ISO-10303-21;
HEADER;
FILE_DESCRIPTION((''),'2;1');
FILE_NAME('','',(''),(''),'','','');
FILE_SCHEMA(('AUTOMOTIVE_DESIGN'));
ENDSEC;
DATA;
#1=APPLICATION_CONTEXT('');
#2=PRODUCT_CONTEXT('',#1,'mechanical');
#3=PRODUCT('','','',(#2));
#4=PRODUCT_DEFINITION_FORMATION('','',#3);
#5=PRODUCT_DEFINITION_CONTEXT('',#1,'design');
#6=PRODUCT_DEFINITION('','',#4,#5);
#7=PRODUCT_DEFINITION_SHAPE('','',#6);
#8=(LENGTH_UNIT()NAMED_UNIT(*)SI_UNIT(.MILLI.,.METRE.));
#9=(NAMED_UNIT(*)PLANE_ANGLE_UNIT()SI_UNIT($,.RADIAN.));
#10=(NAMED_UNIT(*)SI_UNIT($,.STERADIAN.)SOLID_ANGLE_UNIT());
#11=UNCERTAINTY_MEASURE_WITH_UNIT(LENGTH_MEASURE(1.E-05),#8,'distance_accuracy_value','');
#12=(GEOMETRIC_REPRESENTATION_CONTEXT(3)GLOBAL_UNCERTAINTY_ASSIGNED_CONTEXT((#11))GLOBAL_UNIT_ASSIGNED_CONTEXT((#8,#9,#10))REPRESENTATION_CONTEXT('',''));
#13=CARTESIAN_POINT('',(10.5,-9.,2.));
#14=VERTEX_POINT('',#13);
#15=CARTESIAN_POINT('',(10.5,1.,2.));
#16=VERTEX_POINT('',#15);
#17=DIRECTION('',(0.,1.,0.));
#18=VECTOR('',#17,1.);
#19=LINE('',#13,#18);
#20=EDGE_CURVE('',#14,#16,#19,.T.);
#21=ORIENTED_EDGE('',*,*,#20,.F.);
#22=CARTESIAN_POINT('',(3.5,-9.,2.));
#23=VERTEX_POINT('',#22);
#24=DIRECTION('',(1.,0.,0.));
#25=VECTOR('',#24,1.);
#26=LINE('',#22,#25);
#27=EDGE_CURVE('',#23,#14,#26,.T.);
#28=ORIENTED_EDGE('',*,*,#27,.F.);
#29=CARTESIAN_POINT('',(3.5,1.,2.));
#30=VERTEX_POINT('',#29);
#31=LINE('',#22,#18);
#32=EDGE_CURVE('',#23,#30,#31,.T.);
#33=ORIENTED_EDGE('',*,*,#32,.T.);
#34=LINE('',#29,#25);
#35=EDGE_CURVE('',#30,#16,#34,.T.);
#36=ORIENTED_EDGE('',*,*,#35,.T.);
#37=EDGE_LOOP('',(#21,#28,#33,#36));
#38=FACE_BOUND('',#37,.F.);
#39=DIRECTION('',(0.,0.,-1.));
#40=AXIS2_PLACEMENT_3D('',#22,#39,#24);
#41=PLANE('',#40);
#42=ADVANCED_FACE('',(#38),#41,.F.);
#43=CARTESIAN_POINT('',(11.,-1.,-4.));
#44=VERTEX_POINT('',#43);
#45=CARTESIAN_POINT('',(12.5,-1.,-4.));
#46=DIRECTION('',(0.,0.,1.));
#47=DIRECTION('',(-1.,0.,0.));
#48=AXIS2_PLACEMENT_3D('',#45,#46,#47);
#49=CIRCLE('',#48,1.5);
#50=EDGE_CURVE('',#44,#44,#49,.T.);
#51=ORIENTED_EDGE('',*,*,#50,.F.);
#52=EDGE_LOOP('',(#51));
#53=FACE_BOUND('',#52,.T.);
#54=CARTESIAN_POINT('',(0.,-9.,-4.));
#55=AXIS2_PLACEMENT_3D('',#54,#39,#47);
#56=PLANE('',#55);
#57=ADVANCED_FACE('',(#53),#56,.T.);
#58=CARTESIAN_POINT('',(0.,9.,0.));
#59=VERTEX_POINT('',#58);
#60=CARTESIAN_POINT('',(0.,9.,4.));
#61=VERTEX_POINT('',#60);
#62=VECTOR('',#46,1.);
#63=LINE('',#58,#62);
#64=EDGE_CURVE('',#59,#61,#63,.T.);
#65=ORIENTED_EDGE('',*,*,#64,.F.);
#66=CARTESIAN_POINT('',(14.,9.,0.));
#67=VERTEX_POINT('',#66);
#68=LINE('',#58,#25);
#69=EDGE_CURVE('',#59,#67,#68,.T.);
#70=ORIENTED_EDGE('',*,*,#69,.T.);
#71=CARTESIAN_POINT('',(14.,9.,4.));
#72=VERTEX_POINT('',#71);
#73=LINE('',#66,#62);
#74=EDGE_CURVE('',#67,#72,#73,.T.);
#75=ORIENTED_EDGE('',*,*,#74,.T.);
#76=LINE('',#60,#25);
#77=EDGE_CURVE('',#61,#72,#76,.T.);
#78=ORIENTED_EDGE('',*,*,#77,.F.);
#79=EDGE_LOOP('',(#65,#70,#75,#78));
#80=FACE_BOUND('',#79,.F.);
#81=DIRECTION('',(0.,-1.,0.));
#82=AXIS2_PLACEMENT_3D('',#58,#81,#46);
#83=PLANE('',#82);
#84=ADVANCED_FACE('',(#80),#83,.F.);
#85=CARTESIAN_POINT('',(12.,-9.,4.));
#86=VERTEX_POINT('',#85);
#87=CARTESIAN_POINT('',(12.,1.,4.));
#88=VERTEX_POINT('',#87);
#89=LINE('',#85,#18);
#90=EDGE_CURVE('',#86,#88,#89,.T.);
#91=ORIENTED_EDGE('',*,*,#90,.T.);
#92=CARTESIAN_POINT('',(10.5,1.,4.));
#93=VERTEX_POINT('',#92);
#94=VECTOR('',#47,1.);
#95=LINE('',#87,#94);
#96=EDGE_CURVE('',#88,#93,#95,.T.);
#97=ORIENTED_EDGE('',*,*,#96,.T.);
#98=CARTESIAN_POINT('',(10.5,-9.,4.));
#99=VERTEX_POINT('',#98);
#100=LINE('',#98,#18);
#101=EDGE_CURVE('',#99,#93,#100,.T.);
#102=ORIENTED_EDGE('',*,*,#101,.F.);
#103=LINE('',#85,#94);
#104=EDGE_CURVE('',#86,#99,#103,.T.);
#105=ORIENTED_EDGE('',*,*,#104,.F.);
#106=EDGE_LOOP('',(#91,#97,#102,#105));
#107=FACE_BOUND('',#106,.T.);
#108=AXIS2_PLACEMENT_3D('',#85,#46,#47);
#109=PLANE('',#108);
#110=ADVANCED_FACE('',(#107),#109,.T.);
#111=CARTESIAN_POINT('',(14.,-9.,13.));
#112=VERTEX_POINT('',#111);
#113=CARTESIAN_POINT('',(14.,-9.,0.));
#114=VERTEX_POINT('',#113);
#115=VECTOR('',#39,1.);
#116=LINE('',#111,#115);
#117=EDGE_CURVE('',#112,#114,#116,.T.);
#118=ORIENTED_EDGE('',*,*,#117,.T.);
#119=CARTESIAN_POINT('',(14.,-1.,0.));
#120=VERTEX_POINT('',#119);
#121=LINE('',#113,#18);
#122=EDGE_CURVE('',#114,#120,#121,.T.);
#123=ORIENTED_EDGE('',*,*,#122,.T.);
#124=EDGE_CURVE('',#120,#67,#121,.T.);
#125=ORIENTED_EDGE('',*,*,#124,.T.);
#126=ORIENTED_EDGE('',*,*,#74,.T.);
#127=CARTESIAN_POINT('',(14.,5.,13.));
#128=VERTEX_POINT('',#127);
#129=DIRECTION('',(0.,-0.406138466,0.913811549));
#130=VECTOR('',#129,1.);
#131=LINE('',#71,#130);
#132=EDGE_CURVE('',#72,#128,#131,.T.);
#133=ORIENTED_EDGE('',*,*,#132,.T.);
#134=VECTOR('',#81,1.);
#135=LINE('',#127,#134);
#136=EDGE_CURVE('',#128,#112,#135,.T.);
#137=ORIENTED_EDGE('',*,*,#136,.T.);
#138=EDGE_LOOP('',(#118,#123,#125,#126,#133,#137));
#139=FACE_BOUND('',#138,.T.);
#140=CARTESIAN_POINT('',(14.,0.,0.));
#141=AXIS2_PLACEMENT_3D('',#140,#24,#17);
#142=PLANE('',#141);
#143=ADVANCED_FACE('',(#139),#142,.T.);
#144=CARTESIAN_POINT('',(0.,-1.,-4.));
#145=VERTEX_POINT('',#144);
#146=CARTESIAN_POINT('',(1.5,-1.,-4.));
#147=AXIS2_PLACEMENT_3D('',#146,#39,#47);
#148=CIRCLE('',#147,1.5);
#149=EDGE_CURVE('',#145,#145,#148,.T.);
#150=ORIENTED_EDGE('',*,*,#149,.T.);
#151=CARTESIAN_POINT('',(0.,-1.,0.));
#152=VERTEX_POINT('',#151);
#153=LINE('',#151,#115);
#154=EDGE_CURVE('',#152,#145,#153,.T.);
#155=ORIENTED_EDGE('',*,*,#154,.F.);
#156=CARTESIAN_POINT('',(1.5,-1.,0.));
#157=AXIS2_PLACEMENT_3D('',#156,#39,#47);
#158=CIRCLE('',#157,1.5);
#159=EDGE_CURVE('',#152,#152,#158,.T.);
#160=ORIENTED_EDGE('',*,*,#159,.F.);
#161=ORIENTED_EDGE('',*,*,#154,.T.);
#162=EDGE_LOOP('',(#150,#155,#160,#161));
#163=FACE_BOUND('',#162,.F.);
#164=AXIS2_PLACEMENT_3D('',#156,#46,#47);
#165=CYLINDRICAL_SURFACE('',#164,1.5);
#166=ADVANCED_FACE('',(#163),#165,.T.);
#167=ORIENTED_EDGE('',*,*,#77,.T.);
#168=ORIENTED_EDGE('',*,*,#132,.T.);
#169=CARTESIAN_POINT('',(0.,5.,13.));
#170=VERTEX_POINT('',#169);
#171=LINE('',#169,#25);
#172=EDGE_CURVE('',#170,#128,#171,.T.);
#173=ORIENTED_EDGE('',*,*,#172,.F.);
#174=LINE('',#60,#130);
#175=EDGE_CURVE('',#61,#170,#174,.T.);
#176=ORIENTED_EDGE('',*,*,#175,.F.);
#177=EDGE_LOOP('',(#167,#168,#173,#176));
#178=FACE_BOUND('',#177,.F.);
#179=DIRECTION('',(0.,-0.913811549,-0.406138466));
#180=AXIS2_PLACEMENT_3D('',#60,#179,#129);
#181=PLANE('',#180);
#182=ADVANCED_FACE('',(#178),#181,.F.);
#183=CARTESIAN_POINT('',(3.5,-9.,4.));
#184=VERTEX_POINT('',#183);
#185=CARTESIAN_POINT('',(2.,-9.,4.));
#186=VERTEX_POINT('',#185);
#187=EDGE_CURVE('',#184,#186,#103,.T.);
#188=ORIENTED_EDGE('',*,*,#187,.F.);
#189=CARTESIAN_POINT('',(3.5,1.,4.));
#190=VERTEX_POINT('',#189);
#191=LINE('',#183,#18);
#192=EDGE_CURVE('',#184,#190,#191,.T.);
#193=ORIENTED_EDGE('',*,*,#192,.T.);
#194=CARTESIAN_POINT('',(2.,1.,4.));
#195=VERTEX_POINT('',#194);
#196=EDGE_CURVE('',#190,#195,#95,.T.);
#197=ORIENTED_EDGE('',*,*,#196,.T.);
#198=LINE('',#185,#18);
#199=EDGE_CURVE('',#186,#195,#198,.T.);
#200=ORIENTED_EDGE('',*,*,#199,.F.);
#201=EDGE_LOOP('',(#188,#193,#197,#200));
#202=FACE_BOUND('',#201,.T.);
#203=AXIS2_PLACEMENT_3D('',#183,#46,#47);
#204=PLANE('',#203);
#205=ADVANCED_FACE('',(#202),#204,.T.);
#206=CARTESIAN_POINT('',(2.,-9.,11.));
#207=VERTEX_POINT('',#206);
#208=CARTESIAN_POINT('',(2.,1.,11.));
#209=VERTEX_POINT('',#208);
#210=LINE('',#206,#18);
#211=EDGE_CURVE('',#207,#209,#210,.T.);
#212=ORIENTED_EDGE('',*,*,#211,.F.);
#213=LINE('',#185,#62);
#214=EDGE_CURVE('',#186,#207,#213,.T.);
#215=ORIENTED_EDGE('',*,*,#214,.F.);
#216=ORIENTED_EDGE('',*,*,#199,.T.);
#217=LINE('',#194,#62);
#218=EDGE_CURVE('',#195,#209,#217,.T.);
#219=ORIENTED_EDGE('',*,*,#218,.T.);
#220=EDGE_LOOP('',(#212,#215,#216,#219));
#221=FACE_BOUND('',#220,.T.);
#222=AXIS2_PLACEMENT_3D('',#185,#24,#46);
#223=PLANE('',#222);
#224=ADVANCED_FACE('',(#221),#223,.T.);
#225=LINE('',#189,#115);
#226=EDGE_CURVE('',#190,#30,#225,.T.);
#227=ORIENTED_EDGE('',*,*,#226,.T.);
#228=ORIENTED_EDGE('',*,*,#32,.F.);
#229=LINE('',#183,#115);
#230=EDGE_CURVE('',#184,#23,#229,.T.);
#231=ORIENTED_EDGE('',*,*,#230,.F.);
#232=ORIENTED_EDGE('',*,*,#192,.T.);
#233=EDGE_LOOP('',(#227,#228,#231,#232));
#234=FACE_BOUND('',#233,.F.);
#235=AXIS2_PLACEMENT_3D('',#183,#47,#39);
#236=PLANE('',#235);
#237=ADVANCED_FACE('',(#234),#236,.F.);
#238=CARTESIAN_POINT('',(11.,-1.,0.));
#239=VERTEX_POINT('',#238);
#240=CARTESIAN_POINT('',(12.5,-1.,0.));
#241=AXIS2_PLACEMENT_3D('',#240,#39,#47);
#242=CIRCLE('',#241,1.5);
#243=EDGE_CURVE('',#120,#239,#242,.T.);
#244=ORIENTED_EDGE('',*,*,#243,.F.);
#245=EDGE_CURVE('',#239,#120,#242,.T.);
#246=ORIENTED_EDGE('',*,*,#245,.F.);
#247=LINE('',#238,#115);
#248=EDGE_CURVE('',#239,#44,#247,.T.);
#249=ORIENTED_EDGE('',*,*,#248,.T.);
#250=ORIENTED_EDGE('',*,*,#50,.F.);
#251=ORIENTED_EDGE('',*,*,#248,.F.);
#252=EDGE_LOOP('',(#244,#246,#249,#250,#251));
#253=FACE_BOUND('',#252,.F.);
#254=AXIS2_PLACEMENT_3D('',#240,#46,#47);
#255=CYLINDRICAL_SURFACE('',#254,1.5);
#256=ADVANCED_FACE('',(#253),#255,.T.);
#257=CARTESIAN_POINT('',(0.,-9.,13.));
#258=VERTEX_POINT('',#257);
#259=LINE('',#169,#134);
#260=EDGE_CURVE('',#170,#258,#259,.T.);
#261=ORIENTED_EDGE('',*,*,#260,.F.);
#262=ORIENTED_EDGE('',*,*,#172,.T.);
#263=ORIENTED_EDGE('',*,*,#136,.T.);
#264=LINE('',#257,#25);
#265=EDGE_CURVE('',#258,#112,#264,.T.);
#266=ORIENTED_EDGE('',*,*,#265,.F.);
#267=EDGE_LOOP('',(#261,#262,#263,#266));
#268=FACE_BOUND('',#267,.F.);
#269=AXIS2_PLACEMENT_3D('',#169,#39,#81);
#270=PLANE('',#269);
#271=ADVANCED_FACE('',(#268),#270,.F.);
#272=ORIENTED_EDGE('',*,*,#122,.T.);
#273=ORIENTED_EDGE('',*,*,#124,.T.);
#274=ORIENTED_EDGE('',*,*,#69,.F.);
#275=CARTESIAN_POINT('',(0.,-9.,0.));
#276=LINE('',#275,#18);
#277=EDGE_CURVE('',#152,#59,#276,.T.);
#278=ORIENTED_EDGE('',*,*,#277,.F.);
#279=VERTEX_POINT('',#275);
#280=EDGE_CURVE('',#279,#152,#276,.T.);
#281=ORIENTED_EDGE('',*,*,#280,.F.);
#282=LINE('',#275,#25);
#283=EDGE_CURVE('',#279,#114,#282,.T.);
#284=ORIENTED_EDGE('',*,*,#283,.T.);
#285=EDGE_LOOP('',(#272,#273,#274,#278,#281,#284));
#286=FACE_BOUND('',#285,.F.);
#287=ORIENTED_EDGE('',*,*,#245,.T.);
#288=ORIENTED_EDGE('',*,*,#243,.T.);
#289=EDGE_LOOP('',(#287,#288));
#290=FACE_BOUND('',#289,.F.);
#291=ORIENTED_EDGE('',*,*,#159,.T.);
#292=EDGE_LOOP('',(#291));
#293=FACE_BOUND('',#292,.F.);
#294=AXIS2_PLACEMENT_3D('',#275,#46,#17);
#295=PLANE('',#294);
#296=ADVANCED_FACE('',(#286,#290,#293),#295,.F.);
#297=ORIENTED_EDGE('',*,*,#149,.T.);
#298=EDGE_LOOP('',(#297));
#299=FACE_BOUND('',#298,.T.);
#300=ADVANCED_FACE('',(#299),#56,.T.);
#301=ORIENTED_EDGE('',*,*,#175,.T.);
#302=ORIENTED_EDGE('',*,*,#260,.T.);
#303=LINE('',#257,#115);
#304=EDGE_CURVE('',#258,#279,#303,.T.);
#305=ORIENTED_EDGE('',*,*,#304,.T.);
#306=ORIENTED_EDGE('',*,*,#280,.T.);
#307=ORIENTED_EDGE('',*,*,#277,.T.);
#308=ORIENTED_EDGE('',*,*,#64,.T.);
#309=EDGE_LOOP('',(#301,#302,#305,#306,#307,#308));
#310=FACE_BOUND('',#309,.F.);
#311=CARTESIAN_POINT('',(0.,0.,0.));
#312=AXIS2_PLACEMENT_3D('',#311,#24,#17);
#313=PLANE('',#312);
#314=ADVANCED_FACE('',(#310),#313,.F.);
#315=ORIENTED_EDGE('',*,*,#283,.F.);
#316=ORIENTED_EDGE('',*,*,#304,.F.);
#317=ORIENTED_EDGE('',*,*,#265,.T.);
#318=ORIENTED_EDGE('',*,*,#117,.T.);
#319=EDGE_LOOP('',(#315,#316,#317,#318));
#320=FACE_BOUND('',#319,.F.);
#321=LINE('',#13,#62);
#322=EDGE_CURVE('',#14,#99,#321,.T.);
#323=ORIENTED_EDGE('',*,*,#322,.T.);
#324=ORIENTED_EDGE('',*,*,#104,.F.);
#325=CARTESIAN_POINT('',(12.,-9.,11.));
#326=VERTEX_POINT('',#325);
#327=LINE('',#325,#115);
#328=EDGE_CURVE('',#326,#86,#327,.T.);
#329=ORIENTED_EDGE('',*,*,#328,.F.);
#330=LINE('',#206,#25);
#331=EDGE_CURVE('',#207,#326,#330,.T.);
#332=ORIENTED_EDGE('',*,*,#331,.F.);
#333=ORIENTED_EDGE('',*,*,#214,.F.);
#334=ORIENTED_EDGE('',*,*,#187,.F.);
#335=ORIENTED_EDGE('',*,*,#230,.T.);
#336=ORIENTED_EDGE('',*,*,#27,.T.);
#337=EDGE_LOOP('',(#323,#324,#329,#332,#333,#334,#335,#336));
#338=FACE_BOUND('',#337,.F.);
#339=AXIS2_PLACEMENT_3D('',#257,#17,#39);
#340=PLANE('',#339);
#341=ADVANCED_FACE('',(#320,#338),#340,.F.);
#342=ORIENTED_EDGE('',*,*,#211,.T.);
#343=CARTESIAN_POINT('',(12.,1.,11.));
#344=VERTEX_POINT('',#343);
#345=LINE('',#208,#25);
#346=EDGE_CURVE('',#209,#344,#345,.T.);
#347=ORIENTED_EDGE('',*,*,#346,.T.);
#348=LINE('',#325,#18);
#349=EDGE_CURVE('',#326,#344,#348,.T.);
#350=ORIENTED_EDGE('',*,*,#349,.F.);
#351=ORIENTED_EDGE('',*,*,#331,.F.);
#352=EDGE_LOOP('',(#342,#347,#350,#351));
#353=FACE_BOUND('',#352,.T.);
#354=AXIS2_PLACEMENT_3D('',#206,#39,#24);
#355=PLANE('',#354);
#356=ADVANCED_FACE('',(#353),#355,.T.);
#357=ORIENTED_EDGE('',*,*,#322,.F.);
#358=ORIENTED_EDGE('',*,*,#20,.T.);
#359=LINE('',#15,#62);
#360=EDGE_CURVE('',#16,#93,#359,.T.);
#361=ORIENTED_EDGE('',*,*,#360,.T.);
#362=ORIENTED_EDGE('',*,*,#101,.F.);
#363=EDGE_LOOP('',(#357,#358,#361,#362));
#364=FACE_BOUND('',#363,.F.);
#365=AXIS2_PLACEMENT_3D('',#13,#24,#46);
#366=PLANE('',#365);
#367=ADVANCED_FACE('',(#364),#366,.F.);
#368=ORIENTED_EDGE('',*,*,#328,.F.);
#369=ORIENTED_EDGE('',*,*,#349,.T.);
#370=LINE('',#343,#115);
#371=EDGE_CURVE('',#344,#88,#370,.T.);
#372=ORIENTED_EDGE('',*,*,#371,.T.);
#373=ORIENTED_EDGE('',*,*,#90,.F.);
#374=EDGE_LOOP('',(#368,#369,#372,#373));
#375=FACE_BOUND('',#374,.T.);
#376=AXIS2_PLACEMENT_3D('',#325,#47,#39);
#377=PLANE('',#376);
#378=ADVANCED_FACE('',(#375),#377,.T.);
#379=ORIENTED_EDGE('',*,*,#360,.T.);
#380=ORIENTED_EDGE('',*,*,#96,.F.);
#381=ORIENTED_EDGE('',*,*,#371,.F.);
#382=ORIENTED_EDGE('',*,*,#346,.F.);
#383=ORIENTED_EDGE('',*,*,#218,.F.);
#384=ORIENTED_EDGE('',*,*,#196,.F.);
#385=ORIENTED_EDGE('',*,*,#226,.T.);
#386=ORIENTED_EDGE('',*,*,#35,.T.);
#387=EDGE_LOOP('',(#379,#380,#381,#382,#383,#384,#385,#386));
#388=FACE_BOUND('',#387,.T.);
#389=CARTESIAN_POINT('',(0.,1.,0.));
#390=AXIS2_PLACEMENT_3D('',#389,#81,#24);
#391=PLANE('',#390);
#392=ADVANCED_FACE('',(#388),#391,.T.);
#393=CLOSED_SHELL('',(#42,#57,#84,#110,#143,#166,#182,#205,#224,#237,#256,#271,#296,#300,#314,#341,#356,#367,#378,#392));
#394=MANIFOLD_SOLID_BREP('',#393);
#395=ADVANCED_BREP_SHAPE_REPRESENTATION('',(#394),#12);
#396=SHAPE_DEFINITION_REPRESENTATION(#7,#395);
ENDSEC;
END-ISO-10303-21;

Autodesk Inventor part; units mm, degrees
ref_plane "YZ Plane" through (0, 0, 0) normal (1, 0, 0) x (0, 1, 0)
ref_plane "XZ Plane" through (0, 0, 0) normal (0, 1, 0) x (-1, 0, 0)
ref_plane "XY Plane" through (0, 0, 0) normal (0, 0, 1) x (1, 0, 0)
sketch "Sketch1" plane through (0, 0, 0) normal (1, 0, 0) x (0, 1, 0)
  line L0 (-9, 13) -> (-9, 0)
  line L1 (-9, 0) -> (9, 0)
  line L2 (9, 0) -> (9, 4)
  line L3 (9, 4) -> (5, 13)
  line L4 (5, 13) -> (-9, 13)
  point P0 (0, 0)
  dimension "d0" = 13
  dimension "d1" = 18
  dimension "d2" = 9
  dimension "d3" = 0
  dimension "d4" = 4
  dimension "d5" = 14
extrude "Extrusion1" add sketch "Sketch1" along normal blind 14
sketch "Sketch2" plane through (0, -9, 0) normal (0, -1, 0) x (1, 0, 0)
  line L0 (0, 13) -> (0, 0) projected
  line L1 (14, 13) -> (14, 0) projected
  line L2 (0, 13) -> (14, 13) projected
  line L3 (2, 11) -> (12, 11)
  line L4 (12, 11) -> (12, 4)
  line L5 (12, 4) -> (2, 4)
  line L6 (2, 4) -> (2, 11)
  line L7 (3.5, 2) -> (10.5, 2)
  line L8 (10.5, 2) -> (10.5, 4)
  line L9 (10.5, 4) -> (3.5, 4)
  line L10 (3.5, 4) -> (3.5, 2)
  dimension "d8" = 10
  dimension "d9" = 7
  dimension "d10" = 2
  dimension "d11" = 2
  dimension "d12" = 2
  dimension "d13" = 7
  dimension "d14" = 2
  dimension "d15" = 0
  dimension "d16" = 3.5
extrude "Extrusion2" cut sketch "Sketch2" against normal blind 10
sketch "Sketch3" plane through (0, -9, 0) normal (0, 0, -1) x (-1, 0, 0)
  line L0 (0, 0) -> (0, 18) projected
  line L1 (-14, 0) -> (-14, 18) projected
  line L2 (0, 0) -> (-14, 0) projected
  circle A0 centre (-12.5, 8) radius 1.5
  circle A1 centre (-1.5, 8) radius 1.5
  point P0 (0, 9)
  dimension "d19" = 3
  dimension "d20" = 1.5
  dimension "d21" = 1.5
  dimension "d22" = 8
  dimension "d23" = 8
extrude "Extrusion3" add sketch "Sketch3" along normal blind 4
equation "\"d2\" = 0.5 * d1"
equation "\"d11\" = d12"
properties part number "6P6C" material "PC/ABS Plastic"
